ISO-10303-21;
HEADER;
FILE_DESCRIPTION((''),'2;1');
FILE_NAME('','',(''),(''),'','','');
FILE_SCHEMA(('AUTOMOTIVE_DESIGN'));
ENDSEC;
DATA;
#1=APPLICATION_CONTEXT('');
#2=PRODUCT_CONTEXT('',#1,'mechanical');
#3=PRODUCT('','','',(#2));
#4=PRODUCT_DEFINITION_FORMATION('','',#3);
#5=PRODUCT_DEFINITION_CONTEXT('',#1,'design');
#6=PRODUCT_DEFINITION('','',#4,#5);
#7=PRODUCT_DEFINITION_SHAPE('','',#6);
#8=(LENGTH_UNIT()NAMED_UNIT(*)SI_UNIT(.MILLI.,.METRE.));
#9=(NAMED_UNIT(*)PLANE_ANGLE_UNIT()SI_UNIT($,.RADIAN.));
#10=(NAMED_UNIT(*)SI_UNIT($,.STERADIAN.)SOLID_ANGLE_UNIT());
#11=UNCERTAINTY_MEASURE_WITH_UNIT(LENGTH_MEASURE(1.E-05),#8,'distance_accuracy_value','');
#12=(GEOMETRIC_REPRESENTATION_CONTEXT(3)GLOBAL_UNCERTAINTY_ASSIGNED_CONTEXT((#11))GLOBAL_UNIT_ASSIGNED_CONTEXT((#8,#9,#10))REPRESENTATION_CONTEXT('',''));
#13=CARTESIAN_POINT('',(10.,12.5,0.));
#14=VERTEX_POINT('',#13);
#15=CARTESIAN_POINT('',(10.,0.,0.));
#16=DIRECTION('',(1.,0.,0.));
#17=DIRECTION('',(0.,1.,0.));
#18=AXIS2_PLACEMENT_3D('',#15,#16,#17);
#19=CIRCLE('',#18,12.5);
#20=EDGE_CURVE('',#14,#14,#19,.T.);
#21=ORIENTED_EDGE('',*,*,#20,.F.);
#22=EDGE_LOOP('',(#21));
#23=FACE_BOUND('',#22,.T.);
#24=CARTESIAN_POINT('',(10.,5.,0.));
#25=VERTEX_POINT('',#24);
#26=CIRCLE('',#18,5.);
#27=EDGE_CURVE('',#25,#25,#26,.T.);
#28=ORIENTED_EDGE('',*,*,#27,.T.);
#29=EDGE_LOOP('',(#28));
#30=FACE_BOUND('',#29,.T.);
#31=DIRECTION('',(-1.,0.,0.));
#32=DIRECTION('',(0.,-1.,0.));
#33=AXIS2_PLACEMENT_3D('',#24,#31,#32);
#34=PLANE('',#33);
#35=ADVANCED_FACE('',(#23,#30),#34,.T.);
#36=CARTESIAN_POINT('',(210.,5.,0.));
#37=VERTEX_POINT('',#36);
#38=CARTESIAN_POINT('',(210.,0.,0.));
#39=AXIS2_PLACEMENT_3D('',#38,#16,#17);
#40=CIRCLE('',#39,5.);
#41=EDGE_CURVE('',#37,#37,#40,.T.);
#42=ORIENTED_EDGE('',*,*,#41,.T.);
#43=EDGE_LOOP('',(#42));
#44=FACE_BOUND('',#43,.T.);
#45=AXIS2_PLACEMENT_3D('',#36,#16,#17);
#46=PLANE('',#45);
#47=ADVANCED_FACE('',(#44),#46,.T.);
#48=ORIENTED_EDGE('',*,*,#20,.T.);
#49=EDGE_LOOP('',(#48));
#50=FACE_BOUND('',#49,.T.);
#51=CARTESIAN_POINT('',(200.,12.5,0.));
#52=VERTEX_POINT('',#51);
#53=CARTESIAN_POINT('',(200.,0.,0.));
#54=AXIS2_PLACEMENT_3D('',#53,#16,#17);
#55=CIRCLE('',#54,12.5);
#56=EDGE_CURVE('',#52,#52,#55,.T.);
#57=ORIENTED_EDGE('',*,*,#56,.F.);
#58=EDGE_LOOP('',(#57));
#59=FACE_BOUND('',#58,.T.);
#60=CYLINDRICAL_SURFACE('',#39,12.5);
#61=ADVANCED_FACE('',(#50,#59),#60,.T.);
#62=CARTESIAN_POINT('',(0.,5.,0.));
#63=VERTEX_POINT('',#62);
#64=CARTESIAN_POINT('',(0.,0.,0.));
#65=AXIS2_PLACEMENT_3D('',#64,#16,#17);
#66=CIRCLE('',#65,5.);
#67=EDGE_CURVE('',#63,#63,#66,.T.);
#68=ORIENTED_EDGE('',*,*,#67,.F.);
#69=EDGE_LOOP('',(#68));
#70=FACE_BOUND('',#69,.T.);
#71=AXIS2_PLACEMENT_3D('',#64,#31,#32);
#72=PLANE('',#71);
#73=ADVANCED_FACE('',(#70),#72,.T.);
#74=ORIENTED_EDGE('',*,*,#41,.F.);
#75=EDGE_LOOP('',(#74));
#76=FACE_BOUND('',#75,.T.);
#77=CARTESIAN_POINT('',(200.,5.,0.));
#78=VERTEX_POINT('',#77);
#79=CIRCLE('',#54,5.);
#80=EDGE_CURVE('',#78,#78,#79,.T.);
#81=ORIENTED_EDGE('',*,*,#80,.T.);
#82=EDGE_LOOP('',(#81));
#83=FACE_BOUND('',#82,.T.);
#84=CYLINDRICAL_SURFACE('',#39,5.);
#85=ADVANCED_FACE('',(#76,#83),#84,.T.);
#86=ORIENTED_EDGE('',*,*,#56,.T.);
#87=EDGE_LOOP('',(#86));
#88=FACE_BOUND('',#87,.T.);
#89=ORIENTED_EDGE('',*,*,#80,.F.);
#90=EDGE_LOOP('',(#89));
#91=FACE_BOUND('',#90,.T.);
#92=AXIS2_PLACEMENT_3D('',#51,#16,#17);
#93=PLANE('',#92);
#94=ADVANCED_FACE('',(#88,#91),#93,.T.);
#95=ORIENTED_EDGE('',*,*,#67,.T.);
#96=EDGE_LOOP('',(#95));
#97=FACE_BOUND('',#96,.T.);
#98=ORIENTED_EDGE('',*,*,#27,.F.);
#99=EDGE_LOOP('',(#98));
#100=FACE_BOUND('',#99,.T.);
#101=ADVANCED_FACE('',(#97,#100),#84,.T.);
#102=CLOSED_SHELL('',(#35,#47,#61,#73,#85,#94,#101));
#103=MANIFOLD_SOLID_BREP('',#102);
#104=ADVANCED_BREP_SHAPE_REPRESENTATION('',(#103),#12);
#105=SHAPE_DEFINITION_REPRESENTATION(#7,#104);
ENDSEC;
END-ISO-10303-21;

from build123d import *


with BuildPart() as part:
    # Sketch2 → Revolve1 (revolve)
    with BuildSketch(Plane.XY):
        Polygon((0, 0), (0, 5), (10, 5), (10, 12.5), (200, 12.5), (200, 5), (210, 5), (210, 0), align=None)
    revolve(axis=Axis((210, 0, 0), (-1, 0, 0)))


solid = part.part
